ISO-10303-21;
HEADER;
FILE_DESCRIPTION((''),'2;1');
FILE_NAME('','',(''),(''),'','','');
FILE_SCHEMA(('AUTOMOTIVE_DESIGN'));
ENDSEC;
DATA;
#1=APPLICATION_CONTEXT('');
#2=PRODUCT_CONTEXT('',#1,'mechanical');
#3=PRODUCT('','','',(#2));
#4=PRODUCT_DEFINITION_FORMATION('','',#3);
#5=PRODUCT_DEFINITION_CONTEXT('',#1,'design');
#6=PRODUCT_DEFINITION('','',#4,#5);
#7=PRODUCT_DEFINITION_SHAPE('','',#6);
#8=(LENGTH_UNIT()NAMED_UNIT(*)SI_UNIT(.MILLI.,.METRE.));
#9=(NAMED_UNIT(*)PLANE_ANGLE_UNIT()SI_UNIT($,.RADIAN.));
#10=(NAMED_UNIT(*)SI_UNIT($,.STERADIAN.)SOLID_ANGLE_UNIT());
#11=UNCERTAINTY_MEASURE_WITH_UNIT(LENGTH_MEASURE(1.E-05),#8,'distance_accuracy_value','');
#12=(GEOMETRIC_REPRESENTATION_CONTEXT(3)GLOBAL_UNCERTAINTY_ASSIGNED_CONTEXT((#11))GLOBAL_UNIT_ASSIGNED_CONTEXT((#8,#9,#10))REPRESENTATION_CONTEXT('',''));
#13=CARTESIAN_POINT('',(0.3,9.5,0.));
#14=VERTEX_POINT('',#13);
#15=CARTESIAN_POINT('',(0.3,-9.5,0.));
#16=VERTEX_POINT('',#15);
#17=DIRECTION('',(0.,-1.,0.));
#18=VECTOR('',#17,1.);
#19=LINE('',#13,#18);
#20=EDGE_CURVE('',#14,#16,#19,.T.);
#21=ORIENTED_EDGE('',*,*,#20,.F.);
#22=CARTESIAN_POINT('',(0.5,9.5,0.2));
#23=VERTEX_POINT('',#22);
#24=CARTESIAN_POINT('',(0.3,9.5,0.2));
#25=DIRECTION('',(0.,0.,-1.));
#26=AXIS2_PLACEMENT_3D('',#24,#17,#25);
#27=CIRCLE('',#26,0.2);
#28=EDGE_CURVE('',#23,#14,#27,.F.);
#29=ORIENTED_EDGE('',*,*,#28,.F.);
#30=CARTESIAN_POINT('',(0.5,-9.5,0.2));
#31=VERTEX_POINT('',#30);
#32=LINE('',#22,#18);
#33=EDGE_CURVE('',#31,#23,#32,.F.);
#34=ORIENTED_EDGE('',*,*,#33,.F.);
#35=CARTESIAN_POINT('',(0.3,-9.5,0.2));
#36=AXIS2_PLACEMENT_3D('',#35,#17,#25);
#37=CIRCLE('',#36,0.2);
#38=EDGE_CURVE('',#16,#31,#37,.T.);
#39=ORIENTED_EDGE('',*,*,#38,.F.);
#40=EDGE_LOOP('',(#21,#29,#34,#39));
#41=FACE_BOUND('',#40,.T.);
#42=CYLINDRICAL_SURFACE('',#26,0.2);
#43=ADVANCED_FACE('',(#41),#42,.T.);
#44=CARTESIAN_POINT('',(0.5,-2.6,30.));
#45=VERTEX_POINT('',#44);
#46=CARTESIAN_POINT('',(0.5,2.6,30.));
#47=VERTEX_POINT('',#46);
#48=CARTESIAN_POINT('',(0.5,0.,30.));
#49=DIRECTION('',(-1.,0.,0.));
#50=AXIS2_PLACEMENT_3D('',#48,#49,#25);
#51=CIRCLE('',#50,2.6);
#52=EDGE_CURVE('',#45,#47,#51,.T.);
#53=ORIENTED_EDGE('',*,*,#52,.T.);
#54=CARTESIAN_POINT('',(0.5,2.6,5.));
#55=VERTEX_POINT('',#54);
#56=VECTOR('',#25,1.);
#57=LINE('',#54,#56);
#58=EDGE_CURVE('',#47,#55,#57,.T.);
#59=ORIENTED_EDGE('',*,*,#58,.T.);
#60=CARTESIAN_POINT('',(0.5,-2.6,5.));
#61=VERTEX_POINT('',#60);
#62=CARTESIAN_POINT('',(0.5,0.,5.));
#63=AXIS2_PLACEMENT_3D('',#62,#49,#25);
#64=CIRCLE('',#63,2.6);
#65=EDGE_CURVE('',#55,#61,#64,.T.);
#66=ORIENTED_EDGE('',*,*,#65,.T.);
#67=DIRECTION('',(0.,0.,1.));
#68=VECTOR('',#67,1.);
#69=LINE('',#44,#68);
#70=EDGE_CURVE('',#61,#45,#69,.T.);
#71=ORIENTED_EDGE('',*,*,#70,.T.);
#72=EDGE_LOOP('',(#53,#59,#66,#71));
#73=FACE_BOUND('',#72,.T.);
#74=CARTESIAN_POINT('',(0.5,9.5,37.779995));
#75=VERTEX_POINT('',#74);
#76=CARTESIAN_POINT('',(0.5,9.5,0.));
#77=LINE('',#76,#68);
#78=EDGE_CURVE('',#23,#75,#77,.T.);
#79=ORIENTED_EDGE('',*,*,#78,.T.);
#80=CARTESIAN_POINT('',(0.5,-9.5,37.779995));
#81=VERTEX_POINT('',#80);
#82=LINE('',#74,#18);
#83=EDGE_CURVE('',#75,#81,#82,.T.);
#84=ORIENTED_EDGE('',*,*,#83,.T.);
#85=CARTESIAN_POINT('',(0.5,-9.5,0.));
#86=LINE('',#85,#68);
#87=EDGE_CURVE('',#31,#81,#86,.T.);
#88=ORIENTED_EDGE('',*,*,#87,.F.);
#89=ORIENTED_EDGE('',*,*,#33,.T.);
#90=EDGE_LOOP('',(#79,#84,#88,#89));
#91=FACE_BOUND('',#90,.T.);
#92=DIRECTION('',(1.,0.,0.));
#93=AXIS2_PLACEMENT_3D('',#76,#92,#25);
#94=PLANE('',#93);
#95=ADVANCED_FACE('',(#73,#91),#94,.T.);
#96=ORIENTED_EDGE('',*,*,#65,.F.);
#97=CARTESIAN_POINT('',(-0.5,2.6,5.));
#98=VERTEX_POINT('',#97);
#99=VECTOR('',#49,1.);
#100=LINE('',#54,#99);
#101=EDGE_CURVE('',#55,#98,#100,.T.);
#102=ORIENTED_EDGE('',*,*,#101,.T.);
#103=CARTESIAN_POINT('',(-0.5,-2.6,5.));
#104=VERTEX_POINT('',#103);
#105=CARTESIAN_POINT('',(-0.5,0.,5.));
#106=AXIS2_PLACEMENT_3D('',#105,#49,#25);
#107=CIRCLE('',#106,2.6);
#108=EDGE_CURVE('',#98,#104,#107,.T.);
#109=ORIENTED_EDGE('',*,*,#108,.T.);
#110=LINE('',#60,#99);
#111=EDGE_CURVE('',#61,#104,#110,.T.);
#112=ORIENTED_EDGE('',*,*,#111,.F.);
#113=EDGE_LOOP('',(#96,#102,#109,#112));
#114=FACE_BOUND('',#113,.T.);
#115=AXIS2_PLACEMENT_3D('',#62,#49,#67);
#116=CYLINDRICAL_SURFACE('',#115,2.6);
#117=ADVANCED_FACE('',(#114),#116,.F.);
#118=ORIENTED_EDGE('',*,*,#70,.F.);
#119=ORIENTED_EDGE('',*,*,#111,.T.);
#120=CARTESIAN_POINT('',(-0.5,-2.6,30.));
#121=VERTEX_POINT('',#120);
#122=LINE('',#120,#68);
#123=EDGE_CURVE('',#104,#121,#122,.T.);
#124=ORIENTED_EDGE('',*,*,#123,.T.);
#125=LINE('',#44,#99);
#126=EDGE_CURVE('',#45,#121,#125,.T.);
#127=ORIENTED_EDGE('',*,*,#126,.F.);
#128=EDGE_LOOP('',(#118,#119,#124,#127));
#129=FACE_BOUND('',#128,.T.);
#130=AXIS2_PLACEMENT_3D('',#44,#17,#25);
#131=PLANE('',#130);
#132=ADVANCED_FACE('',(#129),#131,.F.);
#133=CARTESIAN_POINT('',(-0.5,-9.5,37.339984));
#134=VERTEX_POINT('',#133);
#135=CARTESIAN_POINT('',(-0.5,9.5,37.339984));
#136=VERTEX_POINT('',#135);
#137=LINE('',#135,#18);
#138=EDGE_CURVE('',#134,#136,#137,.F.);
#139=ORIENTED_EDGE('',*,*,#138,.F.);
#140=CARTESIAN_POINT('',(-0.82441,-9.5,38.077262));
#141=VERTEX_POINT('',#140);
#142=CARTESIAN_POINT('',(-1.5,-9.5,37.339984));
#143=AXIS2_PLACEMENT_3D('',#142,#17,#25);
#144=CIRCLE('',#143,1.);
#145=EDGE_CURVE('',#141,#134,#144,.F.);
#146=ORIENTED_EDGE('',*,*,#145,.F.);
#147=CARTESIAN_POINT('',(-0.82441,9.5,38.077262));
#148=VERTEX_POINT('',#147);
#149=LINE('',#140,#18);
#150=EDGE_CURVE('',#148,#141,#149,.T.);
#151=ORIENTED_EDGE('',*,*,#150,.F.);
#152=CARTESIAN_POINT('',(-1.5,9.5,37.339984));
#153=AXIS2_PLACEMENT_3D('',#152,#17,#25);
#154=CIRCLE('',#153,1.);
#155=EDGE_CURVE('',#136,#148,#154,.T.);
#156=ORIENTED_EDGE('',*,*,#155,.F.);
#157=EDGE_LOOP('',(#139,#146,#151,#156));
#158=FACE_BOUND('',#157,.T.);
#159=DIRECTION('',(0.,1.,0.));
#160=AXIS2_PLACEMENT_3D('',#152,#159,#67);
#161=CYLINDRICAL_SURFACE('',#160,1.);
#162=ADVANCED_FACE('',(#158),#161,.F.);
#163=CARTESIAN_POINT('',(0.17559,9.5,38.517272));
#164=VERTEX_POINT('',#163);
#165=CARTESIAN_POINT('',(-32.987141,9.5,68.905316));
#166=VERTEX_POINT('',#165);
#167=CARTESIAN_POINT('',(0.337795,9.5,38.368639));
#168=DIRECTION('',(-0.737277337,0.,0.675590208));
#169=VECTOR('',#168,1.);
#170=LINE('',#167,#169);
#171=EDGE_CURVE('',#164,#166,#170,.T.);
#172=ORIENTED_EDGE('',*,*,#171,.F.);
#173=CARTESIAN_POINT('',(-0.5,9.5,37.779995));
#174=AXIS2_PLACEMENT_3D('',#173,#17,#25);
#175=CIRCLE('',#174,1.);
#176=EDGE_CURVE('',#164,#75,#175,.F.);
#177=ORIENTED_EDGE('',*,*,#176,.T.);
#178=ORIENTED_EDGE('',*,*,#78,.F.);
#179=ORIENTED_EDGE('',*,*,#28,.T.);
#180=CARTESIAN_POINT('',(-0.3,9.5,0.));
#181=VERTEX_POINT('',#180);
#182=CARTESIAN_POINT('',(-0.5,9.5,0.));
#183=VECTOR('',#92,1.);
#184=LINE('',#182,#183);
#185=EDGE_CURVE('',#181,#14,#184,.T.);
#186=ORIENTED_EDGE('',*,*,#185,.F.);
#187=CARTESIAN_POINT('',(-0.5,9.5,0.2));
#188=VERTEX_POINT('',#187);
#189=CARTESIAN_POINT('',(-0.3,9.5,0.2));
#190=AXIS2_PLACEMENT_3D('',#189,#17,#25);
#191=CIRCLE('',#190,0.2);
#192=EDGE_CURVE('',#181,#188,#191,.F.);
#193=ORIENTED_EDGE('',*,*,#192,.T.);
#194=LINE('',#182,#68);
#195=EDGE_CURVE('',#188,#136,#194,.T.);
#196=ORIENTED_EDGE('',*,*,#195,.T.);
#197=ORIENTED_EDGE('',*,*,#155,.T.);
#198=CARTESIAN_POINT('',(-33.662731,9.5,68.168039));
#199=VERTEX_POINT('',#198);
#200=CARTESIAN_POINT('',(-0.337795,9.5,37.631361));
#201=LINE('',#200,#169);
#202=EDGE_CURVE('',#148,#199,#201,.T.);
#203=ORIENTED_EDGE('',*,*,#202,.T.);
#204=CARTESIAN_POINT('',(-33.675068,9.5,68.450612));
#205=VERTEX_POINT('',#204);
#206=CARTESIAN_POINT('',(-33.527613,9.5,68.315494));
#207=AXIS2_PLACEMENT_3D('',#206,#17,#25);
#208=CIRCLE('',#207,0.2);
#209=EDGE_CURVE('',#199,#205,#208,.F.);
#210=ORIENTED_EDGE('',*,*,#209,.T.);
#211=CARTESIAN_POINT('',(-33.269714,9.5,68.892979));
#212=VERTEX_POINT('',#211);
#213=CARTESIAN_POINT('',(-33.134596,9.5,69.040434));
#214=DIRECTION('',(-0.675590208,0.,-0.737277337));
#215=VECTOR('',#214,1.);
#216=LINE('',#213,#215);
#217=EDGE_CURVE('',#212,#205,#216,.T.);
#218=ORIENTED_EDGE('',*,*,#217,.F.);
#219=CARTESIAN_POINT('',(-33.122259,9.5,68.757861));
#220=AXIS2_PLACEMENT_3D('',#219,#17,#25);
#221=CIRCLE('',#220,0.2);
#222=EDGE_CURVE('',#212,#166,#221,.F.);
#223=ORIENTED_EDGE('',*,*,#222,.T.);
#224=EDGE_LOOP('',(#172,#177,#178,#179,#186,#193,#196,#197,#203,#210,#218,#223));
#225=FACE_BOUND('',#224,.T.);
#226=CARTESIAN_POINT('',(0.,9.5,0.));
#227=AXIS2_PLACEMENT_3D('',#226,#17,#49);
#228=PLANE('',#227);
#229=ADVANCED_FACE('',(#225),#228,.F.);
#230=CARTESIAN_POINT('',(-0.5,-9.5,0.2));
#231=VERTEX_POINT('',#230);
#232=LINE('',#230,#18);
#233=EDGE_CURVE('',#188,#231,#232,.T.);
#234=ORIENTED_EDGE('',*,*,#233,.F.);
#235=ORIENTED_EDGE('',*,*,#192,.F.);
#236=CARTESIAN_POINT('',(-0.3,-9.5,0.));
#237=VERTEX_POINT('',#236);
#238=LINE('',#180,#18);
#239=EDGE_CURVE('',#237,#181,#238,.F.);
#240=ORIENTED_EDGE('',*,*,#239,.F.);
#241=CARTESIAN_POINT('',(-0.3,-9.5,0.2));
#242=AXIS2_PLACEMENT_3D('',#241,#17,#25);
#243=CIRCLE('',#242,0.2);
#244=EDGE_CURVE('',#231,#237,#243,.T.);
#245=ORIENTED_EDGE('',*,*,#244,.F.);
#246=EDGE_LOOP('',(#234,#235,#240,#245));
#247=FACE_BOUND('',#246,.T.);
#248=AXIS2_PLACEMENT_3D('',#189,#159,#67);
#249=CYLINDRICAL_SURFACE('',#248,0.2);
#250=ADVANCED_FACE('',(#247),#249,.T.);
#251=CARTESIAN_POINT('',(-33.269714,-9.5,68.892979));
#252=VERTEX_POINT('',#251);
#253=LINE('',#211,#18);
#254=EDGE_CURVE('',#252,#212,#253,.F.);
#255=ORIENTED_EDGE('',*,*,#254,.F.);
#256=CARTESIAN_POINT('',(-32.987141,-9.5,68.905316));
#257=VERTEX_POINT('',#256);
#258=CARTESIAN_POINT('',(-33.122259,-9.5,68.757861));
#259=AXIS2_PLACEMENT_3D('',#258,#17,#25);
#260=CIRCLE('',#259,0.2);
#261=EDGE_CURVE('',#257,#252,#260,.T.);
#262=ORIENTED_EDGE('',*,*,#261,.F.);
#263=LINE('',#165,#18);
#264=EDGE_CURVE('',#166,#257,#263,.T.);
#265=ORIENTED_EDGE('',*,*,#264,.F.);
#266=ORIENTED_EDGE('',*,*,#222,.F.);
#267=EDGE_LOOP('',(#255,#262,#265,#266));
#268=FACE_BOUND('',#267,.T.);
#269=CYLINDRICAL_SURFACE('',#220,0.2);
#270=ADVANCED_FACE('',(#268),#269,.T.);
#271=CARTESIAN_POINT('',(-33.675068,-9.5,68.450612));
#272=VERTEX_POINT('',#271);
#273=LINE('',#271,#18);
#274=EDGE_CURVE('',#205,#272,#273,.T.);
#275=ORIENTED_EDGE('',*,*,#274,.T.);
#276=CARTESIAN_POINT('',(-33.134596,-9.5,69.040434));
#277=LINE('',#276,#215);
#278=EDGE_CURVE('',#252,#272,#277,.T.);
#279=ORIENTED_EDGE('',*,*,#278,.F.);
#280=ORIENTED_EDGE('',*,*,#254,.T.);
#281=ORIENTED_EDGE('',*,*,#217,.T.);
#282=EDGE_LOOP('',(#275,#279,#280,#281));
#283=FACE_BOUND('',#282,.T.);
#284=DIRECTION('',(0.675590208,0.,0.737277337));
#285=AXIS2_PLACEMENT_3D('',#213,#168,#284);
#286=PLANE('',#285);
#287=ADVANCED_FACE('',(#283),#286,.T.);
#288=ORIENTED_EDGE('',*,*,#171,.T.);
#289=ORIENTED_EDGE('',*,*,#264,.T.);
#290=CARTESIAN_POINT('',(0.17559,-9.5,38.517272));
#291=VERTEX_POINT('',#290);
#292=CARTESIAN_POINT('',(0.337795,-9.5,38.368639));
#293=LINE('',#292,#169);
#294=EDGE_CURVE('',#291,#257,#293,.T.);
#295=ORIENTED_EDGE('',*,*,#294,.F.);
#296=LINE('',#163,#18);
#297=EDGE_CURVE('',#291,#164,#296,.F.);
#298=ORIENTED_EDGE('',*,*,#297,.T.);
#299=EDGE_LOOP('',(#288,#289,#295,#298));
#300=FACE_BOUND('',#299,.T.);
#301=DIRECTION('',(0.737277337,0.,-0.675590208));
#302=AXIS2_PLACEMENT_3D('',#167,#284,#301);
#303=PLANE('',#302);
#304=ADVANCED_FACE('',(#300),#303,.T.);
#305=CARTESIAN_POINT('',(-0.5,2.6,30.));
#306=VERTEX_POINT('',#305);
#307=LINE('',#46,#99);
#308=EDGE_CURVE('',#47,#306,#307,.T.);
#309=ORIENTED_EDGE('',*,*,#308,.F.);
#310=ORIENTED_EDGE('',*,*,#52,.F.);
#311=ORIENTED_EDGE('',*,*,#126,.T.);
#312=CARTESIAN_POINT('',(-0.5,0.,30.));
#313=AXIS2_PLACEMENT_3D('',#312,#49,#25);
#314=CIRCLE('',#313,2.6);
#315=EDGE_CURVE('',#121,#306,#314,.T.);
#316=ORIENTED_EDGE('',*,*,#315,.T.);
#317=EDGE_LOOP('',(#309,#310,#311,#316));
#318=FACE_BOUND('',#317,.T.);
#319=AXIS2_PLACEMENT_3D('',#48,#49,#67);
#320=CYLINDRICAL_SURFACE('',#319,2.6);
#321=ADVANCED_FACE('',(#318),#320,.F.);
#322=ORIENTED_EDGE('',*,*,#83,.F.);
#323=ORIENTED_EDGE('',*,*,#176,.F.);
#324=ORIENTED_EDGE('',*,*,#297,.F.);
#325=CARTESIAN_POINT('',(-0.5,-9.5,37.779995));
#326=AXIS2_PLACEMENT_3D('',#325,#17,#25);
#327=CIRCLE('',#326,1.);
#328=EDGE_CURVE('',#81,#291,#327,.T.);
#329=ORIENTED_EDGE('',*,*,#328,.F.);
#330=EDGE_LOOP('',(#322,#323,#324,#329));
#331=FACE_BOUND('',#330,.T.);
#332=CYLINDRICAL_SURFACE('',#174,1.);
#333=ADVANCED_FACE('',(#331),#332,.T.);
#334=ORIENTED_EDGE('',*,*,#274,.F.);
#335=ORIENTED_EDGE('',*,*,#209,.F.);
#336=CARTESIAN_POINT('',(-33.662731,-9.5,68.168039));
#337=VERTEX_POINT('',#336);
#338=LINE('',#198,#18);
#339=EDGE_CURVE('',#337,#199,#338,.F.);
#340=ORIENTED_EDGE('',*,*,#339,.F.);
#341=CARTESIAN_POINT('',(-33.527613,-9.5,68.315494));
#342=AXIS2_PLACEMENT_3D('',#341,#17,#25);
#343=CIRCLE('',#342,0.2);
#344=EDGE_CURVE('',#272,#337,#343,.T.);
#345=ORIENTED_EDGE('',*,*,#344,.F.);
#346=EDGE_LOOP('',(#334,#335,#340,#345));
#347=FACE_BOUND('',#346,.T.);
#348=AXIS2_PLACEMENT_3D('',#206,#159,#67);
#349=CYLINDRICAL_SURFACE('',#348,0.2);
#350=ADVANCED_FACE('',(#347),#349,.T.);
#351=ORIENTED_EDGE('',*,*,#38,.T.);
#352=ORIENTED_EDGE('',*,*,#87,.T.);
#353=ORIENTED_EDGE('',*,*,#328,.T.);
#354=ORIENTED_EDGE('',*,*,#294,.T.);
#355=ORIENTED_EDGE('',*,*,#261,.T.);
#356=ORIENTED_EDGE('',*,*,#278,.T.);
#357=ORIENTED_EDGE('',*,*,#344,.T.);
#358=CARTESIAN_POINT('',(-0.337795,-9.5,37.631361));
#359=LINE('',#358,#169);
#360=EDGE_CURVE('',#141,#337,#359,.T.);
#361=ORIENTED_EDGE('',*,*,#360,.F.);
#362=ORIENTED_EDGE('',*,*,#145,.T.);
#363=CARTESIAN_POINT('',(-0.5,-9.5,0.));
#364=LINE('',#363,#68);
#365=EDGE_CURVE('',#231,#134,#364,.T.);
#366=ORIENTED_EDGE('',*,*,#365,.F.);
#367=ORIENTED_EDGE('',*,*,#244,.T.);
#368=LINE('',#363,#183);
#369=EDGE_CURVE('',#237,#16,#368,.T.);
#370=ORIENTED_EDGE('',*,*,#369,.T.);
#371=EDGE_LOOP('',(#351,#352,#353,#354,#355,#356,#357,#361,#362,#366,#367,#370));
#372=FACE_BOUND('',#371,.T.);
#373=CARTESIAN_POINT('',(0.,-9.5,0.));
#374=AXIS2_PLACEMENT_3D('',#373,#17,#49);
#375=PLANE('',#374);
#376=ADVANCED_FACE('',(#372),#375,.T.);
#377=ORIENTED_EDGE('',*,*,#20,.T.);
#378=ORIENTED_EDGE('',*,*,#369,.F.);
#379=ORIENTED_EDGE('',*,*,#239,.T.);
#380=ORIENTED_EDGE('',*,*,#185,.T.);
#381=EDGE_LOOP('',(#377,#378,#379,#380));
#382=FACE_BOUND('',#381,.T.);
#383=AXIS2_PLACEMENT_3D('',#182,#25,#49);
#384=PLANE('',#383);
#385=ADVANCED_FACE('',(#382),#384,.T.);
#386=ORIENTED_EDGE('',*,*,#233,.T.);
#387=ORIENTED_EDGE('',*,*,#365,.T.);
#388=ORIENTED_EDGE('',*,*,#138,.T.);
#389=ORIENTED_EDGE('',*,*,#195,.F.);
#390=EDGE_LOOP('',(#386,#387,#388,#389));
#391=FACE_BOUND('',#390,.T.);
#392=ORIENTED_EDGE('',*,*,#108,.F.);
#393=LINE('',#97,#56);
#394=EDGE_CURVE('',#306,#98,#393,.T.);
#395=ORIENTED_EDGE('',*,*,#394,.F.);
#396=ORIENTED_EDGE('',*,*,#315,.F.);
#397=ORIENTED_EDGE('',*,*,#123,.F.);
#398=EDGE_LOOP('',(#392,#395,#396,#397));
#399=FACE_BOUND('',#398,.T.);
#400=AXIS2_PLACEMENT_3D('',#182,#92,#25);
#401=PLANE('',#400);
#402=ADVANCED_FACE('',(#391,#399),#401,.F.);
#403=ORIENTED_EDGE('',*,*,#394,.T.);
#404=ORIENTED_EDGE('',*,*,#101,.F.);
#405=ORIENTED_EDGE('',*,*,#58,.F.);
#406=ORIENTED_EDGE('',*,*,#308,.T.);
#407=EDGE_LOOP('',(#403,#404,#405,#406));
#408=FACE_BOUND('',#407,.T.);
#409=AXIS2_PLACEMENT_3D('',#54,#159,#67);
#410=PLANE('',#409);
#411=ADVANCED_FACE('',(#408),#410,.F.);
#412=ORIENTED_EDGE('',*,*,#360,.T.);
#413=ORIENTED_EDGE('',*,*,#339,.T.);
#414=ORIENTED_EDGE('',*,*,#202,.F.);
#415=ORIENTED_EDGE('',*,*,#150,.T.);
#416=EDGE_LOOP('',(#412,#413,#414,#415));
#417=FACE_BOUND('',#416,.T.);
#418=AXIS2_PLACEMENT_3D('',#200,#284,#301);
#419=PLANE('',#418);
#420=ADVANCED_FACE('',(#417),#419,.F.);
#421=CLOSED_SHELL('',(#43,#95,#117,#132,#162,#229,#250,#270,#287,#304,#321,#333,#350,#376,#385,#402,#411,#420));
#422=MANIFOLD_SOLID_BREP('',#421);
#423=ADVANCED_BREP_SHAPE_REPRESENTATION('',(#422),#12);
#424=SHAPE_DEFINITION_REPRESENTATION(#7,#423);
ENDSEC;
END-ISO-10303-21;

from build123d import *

# Parameters (mm, degrees)
EXTRUDE_THIN1_DEPTH = 9.5
FILLET1_R           = 1
FILLET2_R           = 0.2
CUT_EXTRUDE1_DEPTH  = 2


with BuildPart() as part:
    # Sketch1 → Extrude-Thin1 (new body, symmetric)
    with BuildSketch(Plane(origin=(0, 0, 0), x_dir=(1, 0, 0), z_dir=(0, 1, 0))):
        Polygon((-0.5, 0), (-0.5, -37.779994735), (-33.810186195, -68.303156757), (-33.134595987, -69.040434094), (0.5, -38.220005265), (0.5, 0), align=None)
    extrude(amount=EXTRUDE_THIN1_DEPTH, both=True)

    # Fillet1
    fillet1_edges = [part.edges().sort_by_distance(p)[0] for p in [
        (-0.5, 0, 37.779994735),
        (0.5, 0, 38.220005265),
    ]]
    fillet(fillet1_edges, radius=FILLET1_R)

    # Fillet2
    fillet2_edges = [part.edges().sort_by_distance(p)[0] for p in [
        (-33.810186195, 0, 68.303156757),
        (-0.5, 0, 0),
        (0.5, 0, 0),
        (-33.134595987, 0, 69.040434094),
    ]]
    fillet(fillet2_edges, radius=FILLET2_R)

    # Sketch2 → Cut-Extrude1 (cut, through all)
    with BuildSketch(Plane.ZY.offset(0.5)):
        with BuildLine():
            Line((5, 2.6), (30, 2.6))
            ThreePointArc((30, 2.6), (32.6, 0), (30, -2.6))
            Line((30, -2.6), (5, -2.6))
            ThreePointArc((5, -2.6), (2.4, 0), (5, 2.6))
        make_face()
    extrude(amount=-CUT_EXTRUDE1_DEPTH, mode=Mode.SUBTRACT)


solid = part.part
